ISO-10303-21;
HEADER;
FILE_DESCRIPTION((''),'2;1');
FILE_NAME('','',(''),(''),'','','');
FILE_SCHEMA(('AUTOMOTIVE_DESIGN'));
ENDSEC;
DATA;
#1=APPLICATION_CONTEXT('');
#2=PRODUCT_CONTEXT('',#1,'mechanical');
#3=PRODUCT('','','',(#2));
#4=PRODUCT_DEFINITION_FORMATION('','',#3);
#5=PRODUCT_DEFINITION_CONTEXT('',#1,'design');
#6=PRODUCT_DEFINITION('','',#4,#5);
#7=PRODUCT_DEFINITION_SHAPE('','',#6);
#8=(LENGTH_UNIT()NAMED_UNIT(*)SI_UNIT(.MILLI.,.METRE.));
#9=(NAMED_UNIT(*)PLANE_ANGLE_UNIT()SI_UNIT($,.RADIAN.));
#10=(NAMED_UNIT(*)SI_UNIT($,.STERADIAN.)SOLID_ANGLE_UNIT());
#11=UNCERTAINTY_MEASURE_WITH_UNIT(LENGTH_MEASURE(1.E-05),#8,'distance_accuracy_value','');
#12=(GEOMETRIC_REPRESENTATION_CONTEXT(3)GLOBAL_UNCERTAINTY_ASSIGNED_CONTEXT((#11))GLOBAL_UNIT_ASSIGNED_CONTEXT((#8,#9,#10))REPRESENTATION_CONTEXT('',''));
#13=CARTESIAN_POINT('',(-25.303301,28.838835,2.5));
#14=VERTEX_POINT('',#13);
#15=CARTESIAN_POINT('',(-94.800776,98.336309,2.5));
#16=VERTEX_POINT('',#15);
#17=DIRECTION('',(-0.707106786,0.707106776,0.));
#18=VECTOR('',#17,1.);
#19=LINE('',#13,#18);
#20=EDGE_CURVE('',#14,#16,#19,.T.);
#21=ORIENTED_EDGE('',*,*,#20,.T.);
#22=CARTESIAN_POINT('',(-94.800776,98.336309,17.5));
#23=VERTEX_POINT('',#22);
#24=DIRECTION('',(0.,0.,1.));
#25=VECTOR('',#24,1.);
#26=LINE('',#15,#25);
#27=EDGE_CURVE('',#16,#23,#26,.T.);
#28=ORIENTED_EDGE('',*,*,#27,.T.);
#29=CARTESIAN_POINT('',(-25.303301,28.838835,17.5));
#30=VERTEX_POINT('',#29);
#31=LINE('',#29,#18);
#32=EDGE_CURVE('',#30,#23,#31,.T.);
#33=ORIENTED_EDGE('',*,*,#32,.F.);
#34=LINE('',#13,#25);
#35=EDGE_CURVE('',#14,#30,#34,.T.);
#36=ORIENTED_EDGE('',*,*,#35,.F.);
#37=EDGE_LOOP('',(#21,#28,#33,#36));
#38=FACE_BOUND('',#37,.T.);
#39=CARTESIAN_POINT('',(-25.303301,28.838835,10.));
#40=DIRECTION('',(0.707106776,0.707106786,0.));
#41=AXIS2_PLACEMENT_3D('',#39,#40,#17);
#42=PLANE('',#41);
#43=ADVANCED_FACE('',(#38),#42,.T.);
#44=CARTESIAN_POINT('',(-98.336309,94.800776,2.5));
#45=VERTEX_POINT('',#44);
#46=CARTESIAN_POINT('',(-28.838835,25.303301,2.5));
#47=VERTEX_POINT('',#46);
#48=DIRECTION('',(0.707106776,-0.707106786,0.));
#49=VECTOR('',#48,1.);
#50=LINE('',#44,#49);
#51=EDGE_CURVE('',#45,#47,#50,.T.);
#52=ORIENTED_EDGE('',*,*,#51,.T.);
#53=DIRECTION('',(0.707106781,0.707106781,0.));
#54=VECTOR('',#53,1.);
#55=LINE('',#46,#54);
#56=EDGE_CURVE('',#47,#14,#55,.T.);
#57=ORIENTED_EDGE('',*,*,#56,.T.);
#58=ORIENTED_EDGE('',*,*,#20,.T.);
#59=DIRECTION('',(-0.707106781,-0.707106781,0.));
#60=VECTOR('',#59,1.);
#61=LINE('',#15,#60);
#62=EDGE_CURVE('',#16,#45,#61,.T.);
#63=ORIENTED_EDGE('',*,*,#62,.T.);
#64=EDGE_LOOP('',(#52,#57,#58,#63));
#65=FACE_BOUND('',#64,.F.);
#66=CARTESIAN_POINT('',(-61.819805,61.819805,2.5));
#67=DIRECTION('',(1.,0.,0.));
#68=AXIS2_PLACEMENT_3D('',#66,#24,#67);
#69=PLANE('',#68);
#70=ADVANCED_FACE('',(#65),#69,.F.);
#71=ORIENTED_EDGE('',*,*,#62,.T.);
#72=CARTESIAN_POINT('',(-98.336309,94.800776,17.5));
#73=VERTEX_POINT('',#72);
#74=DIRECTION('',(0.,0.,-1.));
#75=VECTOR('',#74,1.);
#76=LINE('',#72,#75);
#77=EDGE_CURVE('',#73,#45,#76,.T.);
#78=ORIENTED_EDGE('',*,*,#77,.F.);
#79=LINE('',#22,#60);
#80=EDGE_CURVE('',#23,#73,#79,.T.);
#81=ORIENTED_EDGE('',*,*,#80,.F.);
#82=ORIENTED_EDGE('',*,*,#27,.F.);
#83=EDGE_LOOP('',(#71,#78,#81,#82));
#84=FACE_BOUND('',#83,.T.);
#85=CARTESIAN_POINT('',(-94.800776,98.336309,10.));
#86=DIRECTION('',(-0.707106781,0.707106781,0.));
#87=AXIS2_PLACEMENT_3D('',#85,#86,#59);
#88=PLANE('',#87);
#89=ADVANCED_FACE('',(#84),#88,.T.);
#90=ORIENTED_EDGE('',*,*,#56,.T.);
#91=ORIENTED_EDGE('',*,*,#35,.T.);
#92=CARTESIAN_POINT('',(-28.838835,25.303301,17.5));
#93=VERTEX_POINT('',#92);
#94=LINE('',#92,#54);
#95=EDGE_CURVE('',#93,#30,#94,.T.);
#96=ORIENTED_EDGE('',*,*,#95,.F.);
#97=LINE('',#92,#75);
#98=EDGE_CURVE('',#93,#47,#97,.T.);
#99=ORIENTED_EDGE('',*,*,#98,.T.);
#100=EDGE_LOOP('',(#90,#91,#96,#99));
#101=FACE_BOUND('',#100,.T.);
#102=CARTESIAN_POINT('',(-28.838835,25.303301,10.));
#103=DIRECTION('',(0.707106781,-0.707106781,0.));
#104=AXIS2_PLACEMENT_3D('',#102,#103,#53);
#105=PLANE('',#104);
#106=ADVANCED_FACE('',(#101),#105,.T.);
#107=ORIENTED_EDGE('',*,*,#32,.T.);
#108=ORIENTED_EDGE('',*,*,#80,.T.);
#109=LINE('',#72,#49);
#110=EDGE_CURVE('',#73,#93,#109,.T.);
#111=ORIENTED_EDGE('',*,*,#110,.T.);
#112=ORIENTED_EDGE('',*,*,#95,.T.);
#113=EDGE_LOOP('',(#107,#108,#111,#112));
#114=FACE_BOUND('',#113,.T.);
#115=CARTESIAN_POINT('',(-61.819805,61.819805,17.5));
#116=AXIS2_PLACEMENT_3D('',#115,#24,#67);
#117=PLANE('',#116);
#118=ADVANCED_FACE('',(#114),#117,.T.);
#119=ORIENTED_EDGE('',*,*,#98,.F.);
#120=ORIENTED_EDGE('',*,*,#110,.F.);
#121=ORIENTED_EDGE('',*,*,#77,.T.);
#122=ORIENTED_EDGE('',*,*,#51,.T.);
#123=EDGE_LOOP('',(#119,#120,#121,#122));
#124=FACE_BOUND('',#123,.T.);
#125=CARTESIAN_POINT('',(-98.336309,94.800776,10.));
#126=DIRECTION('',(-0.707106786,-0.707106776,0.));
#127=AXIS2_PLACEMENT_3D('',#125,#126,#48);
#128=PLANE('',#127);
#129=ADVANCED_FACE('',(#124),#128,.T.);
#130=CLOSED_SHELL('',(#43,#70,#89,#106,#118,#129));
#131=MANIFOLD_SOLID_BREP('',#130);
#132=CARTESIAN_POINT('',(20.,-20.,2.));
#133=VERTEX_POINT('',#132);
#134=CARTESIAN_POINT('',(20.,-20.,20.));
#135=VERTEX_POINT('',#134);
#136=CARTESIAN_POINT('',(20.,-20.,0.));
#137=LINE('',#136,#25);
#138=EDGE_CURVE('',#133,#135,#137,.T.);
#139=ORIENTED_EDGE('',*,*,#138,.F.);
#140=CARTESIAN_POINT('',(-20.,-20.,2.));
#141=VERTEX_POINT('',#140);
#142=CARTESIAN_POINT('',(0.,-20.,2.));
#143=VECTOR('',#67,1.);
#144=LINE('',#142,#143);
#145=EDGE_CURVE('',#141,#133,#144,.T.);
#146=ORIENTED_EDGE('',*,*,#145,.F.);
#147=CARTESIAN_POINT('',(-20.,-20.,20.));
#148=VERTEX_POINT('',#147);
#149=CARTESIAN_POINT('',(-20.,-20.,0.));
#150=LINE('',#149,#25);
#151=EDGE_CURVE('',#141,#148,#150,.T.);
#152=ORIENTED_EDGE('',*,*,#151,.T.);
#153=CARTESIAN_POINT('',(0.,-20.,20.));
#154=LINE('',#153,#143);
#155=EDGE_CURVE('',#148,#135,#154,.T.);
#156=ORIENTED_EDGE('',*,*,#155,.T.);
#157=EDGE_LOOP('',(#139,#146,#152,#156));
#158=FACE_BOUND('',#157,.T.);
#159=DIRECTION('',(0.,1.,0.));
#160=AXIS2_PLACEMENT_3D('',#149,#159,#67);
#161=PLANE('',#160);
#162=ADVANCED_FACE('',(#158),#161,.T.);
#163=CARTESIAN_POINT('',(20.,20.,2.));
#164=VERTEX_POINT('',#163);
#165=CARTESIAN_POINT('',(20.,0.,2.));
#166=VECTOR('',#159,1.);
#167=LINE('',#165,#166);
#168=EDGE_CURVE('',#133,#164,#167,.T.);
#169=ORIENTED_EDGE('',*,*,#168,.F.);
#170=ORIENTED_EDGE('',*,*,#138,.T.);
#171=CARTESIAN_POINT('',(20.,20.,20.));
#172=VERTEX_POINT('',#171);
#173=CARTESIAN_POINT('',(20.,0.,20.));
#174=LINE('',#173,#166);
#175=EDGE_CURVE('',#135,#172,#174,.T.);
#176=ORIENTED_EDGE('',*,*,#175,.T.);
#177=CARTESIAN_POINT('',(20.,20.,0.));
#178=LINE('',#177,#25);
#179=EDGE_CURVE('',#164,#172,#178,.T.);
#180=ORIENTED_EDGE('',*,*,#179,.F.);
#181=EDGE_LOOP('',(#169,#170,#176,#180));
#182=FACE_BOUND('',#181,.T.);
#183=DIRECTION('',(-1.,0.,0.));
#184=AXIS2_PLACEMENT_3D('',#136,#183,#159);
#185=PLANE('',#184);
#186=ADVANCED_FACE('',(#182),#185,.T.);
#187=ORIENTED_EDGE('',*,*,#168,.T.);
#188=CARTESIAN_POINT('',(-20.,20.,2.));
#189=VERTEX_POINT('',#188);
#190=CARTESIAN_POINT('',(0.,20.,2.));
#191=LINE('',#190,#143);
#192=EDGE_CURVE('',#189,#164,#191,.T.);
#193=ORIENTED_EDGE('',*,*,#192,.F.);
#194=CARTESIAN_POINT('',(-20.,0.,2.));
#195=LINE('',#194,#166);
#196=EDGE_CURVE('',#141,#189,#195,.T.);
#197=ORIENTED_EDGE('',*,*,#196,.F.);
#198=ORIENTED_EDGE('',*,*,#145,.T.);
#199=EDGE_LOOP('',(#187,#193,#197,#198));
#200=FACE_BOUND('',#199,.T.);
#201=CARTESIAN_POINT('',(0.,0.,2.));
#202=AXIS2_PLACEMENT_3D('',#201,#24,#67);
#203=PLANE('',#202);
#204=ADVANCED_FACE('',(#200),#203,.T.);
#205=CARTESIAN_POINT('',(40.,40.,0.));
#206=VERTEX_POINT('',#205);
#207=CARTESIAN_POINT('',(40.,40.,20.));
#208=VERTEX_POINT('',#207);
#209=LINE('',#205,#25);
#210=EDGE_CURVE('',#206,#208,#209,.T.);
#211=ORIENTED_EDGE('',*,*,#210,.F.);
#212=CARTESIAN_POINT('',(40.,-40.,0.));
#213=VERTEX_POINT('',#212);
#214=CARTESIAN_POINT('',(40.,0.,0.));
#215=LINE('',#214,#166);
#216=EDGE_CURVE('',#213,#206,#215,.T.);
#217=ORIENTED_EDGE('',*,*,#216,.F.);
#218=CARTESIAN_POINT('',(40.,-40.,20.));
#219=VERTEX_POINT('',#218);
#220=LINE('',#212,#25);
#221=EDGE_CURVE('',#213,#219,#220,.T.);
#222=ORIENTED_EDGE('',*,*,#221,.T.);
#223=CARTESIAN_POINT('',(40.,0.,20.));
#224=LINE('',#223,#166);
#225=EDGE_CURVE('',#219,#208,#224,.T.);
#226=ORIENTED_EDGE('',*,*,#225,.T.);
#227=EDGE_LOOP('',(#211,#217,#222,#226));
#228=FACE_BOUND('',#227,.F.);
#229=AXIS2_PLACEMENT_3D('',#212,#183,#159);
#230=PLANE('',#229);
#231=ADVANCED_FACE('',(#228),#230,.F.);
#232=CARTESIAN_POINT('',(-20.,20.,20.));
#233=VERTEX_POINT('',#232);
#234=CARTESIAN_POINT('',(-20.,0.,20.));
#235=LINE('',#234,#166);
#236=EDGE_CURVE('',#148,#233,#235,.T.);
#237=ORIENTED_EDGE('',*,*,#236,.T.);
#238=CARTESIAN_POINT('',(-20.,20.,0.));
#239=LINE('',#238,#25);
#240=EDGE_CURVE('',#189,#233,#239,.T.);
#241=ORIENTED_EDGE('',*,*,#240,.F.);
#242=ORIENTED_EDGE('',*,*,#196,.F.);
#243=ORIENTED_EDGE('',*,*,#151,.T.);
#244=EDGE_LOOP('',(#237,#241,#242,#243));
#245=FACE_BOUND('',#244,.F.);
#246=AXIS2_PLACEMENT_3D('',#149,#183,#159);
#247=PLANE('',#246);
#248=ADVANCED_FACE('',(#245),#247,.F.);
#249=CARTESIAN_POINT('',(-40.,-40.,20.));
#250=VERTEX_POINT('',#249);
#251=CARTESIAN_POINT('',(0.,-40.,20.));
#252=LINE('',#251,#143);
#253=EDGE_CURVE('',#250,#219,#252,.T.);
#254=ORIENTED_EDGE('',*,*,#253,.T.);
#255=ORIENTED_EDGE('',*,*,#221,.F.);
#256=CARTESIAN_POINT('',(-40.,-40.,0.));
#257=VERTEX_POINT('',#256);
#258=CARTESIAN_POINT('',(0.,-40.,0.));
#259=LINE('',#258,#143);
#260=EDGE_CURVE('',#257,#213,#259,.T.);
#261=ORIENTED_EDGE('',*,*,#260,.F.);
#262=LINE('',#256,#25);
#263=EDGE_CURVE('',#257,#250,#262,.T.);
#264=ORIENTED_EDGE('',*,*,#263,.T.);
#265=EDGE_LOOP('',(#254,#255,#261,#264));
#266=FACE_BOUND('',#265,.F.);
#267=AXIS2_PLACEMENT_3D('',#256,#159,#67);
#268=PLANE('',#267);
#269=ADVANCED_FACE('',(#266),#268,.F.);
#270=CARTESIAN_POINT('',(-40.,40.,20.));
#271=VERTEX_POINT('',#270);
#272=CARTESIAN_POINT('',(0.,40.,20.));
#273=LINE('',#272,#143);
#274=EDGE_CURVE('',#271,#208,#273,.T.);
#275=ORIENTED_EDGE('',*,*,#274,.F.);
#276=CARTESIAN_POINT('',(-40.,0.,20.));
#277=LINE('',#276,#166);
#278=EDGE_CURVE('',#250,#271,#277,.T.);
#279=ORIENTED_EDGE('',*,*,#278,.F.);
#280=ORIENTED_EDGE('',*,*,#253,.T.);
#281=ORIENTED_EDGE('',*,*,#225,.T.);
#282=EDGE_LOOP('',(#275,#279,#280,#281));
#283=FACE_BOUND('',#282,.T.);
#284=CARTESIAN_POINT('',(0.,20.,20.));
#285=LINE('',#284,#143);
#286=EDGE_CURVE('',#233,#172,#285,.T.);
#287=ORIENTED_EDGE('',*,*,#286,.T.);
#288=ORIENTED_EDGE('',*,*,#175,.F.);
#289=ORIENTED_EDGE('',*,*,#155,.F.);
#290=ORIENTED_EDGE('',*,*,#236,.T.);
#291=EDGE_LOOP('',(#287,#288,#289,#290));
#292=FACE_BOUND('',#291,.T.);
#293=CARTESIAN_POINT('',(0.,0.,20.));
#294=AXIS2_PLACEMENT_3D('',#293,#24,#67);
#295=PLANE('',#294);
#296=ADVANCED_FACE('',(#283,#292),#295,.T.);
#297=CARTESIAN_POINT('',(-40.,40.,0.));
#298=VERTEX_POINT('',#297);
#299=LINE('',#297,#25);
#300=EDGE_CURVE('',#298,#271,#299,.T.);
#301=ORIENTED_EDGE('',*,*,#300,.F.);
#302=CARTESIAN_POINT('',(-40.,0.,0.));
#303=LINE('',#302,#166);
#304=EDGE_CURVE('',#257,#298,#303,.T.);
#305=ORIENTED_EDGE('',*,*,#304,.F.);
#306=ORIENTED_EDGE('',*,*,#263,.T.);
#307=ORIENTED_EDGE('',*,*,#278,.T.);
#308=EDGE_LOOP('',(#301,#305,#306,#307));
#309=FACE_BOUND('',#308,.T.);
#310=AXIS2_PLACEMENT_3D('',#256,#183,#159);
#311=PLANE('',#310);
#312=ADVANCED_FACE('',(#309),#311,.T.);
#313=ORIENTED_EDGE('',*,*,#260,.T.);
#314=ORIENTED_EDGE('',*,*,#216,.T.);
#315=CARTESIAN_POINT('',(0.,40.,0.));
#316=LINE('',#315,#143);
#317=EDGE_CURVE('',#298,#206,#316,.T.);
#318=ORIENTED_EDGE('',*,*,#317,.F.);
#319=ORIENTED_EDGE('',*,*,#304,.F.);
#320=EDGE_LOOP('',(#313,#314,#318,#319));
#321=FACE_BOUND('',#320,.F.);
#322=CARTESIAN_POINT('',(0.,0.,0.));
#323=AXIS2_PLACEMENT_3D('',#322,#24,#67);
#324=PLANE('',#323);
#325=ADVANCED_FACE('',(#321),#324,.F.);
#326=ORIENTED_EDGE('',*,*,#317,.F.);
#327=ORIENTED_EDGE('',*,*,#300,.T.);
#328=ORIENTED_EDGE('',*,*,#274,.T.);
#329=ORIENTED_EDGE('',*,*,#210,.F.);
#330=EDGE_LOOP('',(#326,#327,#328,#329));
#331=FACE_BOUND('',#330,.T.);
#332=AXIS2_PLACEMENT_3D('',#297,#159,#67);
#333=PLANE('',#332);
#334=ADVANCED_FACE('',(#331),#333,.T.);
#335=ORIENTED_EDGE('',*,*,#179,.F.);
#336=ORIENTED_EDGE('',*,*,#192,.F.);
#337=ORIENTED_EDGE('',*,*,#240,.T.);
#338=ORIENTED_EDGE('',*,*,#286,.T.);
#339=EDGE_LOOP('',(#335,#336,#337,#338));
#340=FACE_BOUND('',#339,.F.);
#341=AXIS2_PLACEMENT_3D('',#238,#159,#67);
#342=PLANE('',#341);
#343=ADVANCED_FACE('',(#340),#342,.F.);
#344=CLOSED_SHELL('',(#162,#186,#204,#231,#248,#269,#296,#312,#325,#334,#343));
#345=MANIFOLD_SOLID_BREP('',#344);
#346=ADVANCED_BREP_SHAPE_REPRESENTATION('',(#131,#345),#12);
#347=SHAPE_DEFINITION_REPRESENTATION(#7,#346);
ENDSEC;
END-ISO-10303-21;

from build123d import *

# Parameters (mm, degrees)
F0_W     = 80
F0_H     = 80
F0_W_2   = 40
F0_H_2   = 40
F1_DEPTH = 20
F2_DEPTH = 2
F5_DEPTH = 7.5


with BuildPart() as f1:
    # F0 (on Top) → F1 (new body)
    with BuildSketch(Plane.XY):
        Rectangle(F0_W, F0_H)
        Rectangle(F0_W_2, F0_H_2, mode=Mode.SUBTRACT)
    extrude(amount=F1_DEPTH)

    # F0 (on Top) → F2 (join)
    with BuildSketch(Plane.XY):
        Rectangle(F0_W_2, F0_H_2)
    extrude(amount=F2_DEPTH)


with BuildPart() as f5:
    # F4 (on mid) → F5 (new body, symmetric)
    with BuildSketch(Plane.XY.offset(10)):
        Polygon((-28.838835, 25.303301), (-25.303301, 28.838835), (-94.800776, 98.336309), (-98.336309, 94.800776), align=None)
    extrude(amount=F5_DEPTH, both=True)


solid = Compound([f1.part, f5.part])
